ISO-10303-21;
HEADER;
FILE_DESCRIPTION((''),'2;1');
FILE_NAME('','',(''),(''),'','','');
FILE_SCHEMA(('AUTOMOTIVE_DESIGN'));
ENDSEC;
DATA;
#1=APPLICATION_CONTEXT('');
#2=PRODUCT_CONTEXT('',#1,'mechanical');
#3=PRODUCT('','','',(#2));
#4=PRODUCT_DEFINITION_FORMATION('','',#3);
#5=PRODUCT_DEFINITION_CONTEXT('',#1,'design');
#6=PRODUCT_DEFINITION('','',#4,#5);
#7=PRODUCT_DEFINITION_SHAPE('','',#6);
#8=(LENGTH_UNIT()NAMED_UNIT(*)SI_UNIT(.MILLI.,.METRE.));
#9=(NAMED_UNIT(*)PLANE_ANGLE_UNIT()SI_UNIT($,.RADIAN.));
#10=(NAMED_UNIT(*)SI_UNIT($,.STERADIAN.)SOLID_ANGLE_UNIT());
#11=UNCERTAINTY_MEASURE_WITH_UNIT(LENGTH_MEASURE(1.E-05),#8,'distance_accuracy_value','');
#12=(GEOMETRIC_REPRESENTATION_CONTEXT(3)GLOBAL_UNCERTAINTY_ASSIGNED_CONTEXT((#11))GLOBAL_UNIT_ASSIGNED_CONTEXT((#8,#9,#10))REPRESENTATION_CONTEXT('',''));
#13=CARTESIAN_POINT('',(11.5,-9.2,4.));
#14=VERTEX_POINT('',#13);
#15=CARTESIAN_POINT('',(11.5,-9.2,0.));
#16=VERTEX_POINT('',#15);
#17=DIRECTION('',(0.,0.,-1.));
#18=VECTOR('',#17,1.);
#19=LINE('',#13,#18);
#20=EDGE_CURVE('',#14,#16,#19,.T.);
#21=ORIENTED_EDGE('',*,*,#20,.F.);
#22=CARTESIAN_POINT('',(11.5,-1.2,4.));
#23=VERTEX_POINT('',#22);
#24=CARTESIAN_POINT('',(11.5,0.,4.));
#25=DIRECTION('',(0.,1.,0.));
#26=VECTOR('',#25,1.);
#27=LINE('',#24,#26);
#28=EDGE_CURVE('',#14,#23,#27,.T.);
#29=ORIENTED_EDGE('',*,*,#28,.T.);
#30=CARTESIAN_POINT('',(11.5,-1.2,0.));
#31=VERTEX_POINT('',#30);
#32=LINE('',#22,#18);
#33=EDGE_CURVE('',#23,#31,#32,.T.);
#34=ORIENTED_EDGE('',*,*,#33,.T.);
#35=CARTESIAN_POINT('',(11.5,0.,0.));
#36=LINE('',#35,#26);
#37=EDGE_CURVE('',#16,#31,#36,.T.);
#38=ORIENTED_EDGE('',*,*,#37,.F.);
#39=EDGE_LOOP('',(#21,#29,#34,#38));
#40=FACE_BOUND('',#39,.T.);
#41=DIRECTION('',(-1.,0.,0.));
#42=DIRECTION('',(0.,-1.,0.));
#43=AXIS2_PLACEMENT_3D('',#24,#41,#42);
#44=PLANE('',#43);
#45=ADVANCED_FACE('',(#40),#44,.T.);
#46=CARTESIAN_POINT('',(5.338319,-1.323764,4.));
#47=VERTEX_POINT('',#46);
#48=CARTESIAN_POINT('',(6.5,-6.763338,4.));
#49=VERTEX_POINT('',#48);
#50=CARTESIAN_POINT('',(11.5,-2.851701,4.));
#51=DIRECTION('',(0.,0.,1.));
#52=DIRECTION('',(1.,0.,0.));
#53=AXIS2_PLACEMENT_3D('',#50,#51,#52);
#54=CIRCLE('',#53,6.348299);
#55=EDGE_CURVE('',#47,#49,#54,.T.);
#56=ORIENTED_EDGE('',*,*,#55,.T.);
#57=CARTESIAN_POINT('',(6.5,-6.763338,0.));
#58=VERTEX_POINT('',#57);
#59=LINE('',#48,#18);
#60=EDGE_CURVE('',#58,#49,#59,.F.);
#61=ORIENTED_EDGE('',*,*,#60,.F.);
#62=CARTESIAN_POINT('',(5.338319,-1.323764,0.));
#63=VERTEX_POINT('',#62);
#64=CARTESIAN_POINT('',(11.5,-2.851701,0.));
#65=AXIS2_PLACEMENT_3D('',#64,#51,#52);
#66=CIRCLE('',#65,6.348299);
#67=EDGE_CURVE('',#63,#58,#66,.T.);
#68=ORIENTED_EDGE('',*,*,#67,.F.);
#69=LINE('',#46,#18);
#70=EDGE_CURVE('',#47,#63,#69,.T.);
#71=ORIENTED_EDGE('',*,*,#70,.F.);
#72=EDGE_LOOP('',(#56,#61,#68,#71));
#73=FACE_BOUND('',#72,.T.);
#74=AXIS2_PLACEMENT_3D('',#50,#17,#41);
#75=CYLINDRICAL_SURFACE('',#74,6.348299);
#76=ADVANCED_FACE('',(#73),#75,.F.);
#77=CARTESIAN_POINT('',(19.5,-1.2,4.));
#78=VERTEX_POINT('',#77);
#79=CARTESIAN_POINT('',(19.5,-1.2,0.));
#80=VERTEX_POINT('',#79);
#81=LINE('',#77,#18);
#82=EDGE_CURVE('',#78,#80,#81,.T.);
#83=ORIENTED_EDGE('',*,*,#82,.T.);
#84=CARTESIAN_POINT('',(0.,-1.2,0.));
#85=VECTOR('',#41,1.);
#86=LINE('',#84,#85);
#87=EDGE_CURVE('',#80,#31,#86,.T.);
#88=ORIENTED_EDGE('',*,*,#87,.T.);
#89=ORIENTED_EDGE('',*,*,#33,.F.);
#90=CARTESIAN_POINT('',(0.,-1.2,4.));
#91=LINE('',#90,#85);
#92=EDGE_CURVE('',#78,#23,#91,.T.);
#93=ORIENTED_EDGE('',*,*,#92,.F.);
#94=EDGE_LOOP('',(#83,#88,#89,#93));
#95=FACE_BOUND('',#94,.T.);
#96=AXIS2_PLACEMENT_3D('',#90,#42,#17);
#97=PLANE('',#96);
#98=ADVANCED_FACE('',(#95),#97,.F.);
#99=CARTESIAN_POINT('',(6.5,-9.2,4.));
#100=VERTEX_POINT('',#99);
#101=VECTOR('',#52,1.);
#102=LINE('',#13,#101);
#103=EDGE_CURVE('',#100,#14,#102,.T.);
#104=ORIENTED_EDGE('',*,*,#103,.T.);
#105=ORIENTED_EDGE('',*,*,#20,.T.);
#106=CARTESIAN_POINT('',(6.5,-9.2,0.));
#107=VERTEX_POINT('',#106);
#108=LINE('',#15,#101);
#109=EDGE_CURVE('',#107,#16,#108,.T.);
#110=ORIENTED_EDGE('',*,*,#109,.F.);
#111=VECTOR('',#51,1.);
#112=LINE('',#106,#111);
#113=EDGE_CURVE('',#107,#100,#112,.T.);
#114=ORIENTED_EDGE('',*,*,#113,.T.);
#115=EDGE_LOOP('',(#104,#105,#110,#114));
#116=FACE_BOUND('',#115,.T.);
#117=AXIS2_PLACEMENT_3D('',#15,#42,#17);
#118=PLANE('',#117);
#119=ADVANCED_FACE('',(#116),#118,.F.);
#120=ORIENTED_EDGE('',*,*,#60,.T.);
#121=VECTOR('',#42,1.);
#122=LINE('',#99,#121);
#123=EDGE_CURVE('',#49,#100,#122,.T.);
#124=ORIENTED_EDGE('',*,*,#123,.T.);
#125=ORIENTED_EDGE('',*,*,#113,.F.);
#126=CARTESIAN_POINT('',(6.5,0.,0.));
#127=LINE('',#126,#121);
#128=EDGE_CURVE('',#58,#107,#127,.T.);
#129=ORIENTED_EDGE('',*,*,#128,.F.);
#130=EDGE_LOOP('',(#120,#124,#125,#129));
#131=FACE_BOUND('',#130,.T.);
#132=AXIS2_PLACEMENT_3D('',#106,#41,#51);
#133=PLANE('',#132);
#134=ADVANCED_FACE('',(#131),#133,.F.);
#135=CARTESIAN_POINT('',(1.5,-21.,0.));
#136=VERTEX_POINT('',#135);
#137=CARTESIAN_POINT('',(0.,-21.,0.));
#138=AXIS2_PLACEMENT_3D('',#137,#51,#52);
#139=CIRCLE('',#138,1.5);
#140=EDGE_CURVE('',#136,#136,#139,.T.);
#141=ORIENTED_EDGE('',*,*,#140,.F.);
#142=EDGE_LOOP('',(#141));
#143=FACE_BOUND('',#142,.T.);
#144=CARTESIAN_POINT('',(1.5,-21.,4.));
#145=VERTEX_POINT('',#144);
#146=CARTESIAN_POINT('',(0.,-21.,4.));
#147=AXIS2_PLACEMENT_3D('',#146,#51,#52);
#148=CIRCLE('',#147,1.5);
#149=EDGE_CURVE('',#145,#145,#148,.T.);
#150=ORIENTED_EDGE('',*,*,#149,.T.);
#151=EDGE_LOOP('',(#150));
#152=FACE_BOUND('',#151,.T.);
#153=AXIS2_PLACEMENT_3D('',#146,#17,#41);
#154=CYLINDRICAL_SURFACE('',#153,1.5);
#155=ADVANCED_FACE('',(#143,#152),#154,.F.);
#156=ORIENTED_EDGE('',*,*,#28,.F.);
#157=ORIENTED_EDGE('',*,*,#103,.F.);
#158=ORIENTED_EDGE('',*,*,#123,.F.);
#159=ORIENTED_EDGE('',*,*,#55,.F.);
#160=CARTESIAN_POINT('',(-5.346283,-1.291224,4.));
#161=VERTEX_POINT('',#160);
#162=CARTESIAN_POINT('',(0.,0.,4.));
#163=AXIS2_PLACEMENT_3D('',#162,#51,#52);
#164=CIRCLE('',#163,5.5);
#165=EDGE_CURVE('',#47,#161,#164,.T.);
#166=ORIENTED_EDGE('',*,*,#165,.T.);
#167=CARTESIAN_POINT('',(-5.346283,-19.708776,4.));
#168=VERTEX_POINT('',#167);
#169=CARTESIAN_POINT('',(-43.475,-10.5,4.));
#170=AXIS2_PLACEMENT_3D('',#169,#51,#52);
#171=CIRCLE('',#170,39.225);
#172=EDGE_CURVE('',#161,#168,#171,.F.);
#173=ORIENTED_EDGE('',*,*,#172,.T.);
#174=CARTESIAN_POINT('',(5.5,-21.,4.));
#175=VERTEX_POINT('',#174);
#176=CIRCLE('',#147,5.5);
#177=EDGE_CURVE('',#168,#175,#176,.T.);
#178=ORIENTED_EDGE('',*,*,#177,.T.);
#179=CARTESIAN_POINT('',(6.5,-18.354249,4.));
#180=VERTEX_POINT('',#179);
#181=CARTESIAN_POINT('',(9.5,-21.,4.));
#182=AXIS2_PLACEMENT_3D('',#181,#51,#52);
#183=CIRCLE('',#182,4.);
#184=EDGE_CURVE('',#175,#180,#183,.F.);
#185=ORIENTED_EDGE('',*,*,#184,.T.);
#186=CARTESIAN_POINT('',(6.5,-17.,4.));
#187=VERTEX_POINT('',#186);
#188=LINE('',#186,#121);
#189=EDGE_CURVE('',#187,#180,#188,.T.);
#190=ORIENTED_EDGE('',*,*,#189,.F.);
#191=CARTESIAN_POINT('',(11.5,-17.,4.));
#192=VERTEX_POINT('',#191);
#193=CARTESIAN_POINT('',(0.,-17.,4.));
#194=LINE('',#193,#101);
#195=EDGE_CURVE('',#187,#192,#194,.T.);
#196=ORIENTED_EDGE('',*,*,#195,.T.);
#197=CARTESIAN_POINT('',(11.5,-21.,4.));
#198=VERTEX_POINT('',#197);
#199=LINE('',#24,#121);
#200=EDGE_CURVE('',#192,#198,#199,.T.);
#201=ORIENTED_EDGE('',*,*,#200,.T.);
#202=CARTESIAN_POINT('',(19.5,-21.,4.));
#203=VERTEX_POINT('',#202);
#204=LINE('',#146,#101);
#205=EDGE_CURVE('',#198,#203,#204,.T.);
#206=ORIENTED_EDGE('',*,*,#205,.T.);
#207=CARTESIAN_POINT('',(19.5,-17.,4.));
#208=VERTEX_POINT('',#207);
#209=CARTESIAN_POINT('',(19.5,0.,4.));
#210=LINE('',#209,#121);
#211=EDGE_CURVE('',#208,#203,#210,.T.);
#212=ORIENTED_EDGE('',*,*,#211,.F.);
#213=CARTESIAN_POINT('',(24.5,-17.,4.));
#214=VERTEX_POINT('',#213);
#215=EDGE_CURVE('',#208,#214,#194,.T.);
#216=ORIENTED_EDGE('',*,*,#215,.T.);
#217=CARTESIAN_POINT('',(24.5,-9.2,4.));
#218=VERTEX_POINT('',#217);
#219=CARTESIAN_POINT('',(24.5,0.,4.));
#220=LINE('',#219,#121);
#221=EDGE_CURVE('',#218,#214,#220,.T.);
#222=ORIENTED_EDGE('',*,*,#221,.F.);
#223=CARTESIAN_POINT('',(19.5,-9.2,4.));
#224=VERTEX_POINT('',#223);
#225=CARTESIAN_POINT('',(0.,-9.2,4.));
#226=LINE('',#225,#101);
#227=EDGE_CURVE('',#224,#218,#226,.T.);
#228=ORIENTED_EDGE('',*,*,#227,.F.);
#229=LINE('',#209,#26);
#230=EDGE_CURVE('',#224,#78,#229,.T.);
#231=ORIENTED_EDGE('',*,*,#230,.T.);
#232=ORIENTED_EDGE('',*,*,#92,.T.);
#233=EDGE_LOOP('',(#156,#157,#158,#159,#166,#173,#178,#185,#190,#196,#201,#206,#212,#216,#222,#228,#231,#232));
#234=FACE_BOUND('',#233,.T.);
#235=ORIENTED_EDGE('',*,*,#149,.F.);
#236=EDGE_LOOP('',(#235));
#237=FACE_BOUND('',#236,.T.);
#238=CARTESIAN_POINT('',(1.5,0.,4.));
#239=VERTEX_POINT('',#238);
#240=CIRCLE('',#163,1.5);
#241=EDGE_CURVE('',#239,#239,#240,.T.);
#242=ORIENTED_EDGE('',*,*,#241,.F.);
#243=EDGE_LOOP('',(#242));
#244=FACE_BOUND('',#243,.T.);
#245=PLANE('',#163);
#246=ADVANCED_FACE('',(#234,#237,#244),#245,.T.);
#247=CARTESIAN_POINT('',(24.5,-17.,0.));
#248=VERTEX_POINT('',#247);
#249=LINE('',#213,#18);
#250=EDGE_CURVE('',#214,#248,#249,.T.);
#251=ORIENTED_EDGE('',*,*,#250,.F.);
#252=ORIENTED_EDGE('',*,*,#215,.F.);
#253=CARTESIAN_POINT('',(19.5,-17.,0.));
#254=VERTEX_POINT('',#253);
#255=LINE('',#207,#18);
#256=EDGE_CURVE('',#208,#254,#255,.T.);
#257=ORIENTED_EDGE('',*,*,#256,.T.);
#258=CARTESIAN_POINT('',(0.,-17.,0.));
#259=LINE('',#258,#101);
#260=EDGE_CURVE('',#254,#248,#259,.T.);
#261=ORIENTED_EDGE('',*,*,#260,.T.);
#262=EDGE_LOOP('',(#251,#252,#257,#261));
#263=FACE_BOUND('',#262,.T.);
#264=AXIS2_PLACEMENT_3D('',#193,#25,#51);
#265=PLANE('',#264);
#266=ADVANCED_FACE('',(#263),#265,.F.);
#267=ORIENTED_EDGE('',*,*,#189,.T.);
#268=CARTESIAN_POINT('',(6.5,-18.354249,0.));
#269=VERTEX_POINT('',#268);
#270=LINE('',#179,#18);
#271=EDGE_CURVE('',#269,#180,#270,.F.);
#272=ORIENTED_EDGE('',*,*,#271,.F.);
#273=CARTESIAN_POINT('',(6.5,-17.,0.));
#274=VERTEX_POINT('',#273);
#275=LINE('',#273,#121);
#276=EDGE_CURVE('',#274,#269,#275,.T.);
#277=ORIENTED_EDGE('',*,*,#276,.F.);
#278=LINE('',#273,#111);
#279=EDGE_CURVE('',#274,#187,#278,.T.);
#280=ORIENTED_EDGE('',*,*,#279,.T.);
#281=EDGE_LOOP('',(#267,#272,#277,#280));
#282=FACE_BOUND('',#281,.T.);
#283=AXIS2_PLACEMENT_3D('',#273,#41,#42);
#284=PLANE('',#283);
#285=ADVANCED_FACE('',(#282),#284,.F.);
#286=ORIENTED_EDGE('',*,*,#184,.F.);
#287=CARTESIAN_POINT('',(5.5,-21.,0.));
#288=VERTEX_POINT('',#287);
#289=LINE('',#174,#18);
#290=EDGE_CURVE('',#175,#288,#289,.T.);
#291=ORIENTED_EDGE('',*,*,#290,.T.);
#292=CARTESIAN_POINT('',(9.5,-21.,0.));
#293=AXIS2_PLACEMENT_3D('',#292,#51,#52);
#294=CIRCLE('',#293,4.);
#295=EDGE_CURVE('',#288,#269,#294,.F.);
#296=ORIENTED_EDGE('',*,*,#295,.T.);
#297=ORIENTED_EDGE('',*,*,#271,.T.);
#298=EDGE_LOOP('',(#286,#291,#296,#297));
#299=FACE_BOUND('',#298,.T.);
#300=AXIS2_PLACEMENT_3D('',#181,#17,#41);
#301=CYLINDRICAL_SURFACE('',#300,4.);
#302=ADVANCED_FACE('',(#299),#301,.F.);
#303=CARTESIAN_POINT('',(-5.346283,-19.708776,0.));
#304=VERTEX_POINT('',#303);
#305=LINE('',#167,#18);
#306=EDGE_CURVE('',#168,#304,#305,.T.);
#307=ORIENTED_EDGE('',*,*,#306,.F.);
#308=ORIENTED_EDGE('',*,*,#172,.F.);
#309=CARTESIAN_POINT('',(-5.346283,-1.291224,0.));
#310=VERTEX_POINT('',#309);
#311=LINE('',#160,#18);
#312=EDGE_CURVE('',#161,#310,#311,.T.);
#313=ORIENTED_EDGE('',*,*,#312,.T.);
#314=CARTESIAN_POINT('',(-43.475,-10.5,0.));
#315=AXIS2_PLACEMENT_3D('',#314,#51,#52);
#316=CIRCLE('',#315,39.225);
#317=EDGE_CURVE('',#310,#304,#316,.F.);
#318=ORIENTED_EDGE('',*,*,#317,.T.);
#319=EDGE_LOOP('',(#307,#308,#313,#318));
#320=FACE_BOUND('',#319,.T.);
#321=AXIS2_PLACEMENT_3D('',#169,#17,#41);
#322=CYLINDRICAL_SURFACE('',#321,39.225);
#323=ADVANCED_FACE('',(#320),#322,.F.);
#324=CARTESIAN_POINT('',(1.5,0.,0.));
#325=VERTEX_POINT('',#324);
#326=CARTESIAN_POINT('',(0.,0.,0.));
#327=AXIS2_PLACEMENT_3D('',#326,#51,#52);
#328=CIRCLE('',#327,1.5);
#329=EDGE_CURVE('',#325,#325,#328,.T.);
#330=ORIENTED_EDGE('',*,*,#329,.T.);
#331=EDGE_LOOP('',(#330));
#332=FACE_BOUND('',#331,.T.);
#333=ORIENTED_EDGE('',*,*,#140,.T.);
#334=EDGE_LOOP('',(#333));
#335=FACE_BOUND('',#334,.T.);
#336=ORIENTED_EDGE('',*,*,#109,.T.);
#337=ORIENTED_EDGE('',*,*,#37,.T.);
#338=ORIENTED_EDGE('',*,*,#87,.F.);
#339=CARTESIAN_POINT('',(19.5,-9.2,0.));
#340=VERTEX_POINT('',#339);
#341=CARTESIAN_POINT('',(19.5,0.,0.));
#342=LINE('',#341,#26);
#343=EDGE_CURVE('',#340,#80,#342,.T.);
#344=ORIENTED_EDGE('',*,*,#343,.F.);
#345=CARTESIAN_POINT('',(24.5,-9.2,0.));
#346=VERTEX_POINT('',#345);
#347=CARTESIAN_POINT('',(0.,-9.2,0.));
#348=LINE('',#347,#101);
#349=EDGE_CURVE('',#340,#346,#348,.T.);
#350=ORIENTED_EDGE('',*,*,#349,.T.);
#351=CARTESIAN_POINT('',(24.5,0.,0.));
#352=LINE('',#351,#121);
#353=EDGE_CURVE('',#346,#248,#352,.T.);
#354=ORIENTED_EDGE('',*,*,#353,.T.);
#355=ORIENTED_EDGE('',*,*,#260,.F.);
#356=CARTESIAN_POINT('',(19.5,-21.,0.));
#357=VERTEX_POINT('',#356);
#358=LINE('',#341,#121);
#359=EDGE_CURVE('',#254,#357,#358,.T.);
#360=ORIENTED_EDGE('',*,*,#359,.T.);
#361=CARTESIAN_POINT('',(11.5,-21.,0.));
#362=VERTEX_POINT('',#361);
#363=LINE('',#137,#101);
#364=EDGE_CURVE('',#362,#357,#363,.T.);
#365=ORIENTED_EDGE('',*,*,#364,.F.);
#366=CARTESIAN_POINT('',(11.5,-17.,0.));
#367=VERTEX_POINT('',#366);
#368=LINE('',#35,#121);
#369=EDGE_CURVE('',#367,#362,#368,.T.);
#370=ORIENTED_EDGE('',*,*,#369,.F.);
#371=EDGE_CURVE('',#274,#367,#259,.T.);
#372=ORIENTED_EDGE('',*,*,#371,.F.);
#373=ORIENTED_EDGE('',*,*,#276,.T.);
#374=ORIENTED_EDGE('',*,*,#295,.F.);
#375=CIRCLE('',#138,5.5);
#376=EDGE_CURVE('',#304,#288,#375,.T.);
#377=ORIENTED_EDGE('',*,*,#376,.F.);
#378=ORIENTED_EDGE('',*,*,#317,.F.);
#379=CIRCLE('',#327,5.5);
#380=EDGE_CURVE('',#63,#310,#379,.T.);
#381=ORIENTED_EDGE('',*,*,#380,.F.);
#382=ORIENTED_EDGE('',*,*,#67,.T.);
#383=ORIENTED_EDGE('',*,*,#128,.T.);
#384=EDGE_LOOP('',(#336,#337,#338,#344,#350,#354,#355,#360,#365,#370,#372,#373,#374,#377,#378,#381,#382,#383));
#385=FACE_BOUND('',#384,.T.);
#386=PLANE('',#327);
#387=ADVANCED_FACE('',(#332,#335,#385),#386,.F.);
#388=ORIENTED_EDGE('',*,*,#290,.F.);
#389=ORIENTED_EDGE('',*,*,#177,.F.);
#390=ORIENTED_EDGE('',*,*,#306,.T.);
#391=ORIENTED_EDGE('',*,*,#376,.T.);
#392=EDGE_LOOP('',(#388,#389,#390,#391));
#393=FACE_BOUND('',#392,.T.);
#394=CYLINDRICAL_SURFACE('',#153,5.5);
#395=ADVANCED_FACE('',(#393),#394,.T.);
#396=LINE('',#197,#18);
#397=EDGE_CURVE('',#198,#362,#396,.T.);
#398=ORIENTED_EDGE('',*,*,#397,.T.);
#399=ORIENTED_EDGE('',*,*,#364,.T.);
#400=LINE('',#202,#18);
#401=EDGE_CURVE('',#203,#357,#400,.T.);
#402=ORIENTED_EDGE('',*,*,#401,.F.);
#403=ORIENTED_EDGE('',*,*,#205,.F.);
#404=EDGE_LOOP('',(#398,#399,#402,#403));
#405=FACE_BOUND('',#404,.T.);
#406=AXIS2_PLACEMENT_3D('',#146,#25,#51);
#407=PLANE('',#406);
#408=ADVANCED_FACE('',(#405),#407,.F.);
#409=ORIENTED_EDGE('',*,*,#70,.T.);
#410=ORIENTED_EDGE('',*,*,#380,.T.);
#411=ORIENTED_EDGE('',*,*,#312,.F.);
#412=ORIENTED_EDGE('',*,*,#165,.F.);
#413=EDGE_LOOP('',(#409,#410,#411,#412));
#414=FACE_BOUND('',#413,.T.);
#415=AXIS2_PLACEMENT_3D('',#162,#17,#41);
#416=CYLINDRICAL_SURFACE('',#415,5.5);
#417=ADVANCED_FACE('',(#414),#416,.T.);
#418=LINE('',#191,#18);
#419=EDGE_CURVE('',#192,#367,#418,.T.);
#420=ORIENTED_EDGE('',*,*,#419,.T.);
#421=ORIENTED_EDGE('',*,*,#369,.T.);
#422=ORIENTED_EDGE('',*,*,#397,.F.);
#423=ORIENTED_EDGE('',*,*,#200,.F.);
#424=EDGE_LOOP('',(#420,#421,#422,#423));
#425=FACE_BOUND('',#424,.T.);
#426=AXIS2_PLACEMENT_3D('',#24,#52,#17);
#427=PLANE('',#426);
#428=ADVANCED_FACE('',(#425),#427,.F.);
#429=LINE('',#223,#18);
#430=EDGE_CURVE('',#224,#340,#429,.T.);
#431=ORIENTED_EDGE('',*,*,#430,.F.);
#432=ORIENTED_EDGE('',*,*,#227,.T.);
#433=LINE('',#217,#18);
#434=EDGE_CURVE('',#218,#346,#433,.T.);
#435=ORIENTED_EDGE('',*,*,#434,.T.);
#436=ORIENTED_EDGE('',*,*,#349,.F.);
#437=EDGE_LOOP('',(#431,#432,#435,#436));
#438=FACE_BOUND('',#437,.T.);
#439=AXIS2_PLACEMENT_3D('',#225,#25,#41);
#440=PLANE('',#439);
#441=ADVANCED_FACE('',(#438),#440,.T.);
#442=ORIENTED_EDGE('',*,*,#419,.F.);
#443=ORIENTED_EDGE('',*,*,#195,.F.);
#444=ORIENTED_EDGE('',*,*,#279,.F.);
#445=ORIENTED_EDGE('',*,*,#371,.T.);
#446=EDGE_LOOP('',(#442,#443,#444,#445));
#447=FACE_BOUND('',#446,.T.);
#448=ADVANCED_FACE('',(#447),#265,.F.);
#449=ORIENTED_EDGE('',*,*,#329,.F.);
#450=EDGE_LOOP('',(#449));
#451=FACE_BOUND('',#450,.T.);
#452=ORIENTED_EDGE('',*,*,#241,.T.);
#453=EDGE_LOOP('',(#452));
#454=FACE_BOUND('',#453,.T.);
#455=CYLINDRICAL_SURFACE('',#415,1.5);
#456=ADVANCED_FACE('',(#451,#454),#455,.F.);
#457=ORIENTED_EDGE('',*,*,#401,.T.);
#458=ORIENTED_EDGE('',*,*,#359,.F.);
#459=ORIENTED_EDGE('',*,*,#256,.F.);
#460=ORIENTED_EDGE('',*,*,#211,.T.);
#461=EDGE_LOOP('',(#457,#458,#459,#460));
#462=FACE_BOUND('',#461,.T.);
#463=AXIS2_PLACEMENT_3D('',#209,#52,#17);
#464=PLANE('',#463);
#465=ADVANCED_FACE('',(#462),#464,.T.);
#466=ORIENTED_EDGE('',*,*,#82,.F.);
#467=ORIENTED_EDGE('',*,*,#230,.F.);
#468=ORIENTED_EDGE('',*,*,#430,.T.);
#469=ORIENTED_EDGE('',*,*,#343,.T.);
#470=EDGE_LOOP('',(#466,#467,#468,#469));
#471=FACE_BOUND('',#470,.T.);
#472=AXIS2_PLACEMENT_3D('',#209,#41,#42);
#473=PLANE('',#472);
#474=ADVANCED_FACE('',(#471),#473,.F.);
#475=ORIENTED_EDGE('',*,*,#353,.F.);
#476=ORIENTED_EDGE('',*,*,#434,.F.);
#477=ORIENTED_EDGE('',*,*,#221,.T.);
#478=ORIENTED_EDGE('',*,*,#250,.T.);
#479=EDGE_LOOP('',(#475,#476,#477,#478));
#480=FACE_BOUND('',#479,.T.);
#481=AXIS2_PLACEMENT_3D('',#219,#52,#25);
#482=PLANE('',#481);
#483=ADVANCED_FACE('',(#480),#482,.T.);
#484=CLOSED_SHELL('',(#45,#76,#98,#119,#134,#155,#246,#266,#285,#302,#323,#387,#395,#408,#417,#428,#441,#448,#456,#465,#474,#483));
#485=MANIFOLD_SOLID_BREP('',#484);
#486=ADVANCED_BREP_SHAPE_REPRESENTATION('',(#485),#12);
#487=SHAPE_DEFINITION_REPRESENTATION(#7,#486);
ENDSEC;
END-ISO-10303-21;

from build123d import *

# Parameters (mm, degrees)
SKETCH1_R           = 1.5
BOSS_EXTRUDE1_DEPTH = 4
SKETCH2_W           = 5
SKETCH2_H           = 5
CUT_EXTRUDE1_DEPTH  = 4


with BuildPart() as part:
    # Sketch1 → Boss-Extrude1 (new body)
    with BuildSketch(Plane.XY):
        with BuildLine():
            Line((11.5, -1.2), (11.5, -9.2))
            ThreePointArc((11.5, -9.2), (6.499964862, -6.763292795), (5.338318884, -1.323764138))
            ThreePointArc((5.338318884, -1.323764138), (0.016750191, 5.499974494), (-5.34628284, -1.291224148))
            ThreePointArc((-5.34628284, -1.291224148), (-4.25, -10.5), (-5.34628284, -19.708775852))
            ThreePointArc((-5.34628284, -19.708775852), (-0.650170894, -26.461435508), (5.5, -21))
            ThreePointArc((5.5, -21), (6.671572875, -18.171572875), (9.5, -17))
            Line((9.5, -17), (11.5, -17))
            Line((11.5, -17), (11.5, -21))
            Line((11.5, -21), (19.5, -21))
            Line((19.5, -21), (19.5, -17))
            Line((19.5, -17), (24.5, -17))
            Line((24.5, -17), (24.5, -9.2))
            Line((24.5, -9.2), (19.5, -9.2))
            Line((19.5, -9.2), (19.5, -1.2))
            Line((19.5, -1.2), (11.5, -1.2))
        make_face()
        Circle(SKETCH1_R, mode=Mode.SUBTRACT)
        with Locations((0, -21)):
            Circle(SKETCH1_R, mode=Mode.SUBTRACT)
    extrude(amount=BOSS_EXTRUDE1_DEPTH)

    # Sketch2 → Cut-Extrude1 (cut)
    with BuildSketch(Plane.XY.offset(4)):
        with Locations((9, -6.7)):
            Rectangle(SKETCH2_W, SKETCH2_H)
        with Locations((9, -19.5)):
            Rectangle(SKETCH2_W, SKETCH2_H)
    extrude(amount=-CUT_EXTRUDE1_DEPTH, mode=Mode.SUBTRACT)


solid = part.part
